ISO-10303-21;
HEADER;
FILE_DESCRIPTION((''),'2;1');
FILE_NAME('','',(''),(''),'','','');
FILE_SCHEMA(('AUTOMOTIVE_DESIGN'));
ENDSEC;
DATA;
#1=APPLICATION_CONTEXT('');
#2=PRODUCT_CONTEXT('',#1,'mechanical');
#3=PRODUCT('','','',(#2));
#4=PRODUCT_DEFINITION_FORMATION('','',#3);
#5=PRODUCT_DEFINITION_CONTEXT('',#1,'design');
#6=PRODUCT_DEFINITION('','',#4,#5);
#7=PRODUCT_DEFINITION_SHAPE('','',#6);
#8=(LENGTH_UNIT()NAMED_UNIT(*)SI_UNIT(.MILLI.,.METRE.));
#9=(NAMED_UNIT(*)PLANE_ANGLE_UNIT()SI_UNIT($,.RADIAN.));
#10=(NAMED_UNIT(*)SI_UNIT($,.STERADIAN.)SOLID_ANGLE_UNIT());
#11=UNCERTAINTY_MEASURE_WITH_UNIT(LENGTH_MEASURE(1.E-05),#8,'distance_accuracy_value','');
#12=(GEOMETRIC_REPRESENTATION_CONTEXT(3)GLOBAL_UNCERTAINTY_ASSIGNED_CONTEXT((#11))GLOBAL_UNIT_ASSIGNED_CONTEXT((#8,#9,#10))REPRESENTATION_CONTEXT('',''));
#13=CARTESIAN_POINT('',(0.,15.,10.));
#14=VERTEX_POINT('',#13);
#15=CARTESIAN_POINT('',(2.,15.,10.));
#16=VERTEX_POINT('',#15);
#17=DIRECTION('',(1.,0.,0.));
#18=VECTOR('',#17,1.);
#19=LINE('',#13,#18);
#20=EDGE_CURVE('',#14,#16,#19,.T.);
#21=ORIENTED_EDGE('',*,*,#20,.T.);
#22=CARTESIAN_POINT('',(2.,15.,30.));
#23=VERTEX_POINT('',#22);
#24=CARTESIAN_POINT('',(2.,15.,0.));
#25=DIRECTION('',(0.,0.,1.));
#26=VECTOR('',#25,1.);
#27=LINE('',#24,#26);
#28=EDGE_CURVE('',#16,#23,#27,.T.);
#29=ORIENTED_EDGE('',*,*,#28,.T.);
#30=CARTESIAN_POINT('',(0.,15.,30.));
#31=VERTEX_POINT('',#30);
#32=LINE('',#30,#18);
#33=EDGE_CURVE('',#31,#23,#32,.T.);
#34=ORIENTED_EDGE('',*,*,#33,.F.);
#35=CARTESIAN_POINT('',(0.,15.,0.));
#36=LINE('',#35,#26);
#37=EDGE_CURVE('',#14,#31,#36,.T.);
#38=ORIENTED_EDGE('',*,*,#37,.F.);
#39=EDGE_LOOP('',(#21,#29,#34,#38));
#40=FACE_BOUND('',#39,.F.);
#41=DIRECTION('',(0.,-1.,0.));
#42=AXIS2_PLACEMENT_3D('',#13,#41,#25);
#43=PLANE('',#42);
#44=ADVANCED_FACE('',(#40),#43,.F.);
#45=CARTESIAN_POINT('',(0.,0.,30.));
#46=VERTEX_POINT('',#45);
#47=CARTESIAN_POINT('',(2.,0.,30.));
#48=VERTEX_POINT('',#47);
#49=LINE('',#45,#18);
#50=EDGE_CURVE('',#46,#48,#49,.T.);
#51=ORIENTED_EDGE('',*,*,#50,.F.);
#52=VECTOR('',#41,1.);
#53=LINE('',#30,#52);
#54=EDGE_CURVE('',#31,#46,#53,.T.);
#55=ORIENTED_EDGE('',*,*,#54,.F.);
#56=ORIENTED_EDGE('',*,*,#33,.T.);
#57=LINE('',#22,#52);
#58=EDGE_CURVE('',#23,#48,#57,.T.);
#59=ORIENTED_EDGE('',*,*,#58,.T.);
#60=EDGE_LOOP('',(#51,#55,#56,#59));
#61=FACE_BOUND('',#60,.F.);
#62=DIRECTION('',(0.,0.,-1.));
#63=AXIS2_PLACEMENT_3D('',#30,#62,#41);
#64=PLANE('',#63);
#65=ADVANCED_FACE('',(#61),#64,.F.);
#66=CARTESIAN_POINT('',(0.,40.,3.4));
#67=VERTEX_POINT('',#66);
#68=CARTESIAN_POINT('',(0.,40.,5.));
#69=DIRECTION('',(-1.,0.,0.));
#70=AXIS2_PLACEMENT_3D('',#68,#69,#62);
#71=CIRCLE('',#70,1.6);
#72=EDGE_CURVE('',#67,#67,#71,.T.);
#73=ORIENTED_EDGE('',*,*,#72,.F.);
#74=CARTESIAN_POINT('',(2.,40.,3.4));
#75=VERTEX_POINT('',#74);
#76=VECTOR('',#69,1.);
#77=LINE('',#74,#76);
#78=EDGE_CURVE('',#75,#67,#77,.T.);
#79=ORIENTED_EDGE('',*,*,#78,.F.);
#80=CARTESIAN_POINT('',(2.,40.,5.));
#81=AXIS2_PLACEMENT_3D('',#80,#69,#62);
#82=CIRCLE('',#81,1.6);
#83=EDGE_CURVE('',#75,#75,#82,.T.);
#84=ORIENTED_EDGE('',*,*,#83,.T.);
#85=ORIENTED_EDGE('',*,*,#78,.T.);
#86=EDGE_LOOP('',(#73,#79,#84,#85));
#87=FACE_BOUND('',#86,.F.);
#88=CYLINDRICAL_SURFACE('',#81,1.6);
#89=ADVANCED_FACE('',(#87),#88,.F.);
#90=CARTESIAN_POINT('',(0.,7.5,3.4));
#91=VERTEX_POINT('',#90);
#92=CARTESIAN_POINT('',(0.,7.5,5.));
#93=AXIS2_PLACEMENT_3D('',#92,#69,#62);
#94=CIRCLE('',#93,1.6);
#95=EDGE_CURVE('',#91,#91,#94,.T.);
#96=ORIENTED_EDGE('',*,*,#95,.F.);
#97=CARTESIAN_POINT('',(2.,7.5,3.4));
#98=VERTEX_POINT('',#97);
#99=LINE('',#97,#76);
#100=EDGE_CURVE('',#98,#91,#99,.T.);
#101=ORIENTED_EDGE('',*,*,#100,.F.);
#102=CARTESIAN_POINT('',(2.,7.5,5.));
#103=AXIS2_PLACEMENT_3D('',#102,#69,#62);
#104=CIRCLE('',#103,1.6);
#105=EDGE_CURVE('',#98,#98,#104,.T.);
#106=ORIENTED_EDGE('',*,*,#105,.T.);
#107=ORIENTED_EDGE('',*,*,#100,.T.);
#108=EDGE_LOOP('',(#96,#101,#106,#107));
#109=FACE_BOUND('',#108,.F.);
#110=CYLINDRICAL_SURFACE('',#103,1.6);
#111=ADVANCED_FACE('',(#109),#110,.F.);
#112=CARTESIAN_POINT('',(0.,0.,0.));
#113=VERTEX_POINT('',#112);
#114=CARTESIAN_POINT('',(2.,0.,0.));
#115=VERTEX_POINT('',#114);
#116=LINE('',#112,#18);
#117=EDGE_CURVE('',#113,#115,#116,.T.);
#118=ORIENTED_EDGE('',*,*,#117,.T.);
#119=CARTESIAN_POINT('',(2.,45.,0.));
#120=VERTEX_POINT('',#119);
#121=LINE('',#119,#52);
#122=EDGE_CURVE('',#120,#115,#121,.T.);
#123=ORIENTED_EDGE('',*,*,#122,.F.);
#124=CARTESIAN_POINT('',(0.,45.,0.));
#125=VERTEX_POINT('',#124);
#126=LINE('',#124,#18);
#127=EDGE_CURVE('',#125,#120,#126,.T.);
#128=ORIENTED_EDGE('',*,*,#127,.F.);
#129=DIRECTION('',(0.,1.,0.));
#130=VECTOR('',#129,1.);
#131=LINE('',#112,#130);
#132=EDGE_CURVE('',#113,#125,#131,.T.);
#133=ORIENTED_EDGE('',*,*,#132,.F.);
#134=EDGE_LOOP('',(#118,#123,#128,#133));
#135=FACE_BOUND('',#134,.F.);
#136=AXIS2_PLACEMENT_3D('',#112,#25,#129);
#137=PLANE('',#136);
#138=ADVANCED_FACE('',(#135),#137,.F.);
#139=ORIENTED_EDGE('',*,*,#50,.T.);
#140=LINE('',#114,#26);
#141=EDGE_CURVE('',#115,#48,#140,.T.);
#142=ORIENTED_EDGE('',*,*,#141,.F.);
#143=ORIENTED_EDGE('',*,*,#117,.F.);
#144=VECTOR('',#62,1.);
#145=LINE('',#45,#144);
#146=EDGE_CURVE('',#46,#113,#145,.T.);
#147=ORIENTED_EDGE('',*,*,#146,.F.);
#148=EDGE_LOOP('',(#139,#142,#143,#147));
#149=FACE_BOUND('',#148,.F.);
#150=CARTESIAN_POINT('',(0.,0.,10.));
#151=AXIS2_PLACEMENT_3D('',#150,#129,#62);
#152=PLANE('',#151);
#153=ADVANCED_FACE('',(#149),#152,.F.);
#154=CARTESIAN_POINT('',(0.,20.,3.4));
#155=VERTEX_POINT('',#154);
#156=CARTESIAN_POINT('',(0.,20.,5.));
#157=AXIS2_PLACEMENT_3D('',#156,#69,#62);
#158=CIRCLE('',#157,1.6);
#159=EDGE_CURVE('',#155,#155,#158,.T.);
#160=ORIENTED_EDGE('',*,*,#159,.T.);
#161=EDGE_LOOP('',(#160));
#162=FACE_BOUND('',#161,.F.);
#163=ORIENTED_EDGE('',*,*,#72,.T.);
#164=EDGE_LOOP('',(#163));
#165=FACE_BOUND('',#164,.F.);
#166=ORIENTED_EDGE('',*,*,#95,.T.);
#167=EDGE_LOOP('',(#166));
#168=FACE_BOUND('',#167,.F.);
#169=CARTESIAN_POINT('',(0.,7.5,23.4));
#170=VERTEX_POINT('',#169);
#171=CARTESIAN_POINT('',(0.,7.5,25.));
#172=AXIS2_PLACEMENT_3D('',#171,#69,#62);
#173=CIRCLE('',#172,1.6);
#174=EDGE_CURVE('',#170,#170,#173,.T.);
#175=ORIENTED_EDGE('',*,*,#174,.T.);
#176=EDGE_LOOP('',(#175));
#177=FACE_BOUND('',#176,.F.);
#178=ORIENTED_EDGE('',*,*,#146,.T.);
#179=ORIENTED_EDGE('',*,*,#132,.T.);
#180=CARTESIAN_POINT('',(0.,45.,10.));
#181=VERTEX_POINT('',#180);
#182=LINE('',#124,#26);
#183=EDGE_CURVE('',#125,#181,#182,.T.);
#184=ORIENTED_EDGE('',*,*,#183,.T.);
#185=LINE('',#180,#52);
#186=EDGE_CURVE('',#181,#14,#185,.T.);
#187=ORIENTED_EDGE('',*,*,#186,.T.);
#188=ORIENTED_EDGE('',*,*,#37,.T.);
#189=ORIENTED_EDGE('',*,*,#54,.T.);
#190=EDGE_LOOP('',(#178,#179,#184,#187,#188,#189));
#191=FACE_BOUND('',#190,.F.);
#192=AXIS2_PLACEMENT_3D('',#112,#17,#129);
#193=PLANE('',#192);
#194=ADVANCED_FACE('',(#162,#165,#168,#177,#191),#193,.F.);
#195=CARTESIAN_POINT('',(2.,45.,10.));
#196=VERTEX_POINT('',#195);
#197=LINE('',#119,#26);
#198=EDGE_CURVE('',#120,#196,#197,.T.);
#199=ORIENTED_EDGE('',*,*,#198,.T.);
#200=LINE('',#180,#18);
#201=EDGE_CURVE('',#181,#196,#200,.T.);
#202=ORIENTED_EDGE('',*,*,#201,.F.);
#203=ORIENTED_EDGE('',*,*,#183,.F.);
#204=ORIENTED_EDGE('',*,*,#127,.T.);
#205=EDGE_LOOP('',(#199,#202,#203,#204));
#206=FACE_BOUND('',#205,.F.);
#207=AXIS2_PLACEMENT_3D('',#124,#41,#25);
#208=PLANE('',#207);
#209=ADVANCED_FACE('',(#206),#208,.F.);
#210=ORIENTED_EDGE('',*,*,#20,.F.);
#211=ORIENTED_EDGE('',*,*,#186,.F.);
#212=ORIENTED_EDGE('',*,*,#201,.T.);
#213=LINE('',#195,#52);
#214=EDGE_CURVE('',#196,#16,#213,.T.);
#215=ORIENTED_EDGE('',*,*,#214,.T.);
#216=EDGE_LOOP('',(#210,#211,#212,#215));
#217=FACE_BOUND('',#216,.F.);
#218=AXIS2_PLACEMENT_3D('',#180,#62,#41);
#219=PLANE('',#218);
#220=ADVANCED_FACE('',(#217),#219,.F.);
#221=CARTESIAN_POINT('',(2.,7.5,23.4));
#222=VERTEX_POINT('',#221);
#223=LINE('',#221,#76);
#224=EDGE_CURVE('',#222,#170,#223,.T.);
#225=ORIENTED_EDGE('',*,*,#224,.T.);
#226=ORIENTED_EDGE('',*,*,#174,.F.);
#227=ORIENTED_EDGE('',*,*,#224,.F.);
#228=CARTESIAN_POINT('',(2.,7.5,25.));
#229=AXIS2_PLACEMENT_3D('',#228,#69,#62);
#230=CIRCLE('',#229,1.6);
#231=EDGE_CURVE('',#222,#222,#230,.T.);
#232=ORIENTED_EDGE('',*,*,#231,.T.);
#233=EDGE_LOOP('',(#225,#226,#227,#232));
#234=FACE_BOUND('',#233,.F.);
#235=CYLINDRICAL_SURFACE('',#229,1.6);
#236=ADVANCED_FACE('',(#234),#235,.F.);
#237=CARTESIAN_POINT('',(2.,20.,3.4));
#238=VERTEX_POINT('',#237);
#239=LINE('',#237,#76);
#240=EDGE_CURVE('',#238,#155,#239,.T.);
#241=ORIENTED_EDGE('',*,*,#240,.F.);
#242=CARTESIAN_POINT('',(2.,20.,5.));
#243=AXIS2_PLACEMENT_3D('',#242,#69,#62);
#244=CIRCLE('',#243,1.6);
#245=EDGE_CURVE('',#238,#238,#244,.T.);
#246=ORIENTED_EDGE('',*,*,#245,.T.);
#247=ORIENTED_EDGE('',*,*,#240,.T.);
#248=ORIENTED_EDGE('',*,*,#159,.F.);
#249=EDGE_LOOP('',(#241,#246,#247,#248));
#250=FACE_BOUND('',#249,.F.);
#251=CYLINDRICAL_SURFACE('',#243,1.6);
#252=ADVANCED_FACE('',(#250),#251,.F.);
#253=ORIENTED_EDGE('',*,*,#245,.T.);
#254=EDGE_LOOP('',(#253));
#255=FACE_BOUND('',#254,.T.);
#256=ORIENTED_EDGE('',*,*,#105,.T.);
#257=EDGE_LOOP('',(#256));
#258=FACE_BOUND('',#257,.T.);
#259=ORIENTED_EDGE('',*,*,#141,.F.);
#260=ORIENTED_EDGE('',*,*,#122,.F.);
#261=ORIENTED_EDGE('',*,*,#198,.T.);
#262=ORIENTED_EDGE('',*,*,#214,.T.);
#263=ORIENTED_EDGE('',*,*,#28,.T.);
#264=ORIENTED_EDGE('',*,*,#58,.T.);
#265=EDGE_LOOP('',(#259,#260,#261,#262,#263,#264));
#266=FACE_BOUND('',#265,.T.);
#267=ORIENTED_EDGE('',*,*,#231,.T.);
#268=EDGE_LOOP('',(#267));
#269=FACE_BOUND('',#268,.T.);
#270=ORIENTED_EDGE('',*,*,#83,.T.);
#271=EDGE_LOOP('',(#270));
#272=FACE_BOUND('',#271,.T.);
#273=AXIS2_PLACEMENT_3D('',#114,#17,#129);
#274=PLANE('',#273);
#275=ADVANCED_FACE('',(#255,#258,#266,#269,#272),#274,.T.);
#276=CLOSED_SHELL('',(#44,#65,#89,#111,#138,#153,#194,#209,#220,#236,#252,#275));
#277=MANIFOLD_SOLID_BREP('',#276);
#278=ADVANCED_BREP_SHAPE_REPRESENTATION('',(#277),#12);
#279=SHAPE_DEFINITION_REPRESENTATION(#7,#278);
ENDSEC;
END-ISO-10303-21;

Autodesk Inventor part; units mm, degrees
ref_plane "YZ Plane" through (0, 0, 0) normal (1, 0, 0) x (0, 1, 0)
ref_plane "XZ Plane" through (0, 0, 0) normal (0, 1, 0) x (-1, 0, 0)
ref_plane "XY Plane" through (0, 0, 0) normal (0, 0, 1) x (1, 0, 0)
sketch "スケッチ1" plane through (0, 0, 0) normal (1, 0, 0) x (0, 1, 0)
  line L0 (0, 0) -> (45, 0)
  line L1 (45, 0) -> (45, 10)
  line L2 (45, 10) -> (0, 10)
  line L3 (0, 10) -> (0, 0)
  line L4 (0, 0) -> (15, 0)
  line L5 (15, 0) -> (15, 30)
  line L6 (15, 30) -> (0, 30)
  line L7 (0, 30) -> (0, 0)
  point P0 (0, 10)
  point P1 (15, 10)
  dimension "d0" = 10
  dimension "d1" = 15
  dimension "d2" = 30
  dimension "d3" = 30
extrude "押し出し1" add sketch "スケッチ1" along normal blind 2
sketch "スケッチ2" plane through (2, 0, 0) normal (1, 0, 0) x (0, 0, -1)
  line L0 (-30, 15) -> (-30, 0) projected
  line L1 (-30, 7.5) -> (0, 7.5) construction
  line L2 (0, 0) -> (0, 45) projected
  line L3 (0, 45) -> (-10, 45) projected
  line L4 (-5, 45) -> (-5, 0) construction
  line L5 (-30, 0) -> (0, 0) projected
  point P0 (-25, 7.5)
  point P1 (-5, 7.5)
  point P2 (-5, 20)
  point P3 (-5, 40)
  dimension "d6" = 20
  dimension "d7" = 5
  dimension "d8" = 20
  dimension "d9" = 5
hole "穴1" at (2, 7.5, 25) at (2, 7.5, 5) at (2, 20, 5) at (2, 40, 5) direction (-1, 0, 0) diameter 3.2 end through all
properties part number "FrameJointL1510" material "アルミニウム 6061"
